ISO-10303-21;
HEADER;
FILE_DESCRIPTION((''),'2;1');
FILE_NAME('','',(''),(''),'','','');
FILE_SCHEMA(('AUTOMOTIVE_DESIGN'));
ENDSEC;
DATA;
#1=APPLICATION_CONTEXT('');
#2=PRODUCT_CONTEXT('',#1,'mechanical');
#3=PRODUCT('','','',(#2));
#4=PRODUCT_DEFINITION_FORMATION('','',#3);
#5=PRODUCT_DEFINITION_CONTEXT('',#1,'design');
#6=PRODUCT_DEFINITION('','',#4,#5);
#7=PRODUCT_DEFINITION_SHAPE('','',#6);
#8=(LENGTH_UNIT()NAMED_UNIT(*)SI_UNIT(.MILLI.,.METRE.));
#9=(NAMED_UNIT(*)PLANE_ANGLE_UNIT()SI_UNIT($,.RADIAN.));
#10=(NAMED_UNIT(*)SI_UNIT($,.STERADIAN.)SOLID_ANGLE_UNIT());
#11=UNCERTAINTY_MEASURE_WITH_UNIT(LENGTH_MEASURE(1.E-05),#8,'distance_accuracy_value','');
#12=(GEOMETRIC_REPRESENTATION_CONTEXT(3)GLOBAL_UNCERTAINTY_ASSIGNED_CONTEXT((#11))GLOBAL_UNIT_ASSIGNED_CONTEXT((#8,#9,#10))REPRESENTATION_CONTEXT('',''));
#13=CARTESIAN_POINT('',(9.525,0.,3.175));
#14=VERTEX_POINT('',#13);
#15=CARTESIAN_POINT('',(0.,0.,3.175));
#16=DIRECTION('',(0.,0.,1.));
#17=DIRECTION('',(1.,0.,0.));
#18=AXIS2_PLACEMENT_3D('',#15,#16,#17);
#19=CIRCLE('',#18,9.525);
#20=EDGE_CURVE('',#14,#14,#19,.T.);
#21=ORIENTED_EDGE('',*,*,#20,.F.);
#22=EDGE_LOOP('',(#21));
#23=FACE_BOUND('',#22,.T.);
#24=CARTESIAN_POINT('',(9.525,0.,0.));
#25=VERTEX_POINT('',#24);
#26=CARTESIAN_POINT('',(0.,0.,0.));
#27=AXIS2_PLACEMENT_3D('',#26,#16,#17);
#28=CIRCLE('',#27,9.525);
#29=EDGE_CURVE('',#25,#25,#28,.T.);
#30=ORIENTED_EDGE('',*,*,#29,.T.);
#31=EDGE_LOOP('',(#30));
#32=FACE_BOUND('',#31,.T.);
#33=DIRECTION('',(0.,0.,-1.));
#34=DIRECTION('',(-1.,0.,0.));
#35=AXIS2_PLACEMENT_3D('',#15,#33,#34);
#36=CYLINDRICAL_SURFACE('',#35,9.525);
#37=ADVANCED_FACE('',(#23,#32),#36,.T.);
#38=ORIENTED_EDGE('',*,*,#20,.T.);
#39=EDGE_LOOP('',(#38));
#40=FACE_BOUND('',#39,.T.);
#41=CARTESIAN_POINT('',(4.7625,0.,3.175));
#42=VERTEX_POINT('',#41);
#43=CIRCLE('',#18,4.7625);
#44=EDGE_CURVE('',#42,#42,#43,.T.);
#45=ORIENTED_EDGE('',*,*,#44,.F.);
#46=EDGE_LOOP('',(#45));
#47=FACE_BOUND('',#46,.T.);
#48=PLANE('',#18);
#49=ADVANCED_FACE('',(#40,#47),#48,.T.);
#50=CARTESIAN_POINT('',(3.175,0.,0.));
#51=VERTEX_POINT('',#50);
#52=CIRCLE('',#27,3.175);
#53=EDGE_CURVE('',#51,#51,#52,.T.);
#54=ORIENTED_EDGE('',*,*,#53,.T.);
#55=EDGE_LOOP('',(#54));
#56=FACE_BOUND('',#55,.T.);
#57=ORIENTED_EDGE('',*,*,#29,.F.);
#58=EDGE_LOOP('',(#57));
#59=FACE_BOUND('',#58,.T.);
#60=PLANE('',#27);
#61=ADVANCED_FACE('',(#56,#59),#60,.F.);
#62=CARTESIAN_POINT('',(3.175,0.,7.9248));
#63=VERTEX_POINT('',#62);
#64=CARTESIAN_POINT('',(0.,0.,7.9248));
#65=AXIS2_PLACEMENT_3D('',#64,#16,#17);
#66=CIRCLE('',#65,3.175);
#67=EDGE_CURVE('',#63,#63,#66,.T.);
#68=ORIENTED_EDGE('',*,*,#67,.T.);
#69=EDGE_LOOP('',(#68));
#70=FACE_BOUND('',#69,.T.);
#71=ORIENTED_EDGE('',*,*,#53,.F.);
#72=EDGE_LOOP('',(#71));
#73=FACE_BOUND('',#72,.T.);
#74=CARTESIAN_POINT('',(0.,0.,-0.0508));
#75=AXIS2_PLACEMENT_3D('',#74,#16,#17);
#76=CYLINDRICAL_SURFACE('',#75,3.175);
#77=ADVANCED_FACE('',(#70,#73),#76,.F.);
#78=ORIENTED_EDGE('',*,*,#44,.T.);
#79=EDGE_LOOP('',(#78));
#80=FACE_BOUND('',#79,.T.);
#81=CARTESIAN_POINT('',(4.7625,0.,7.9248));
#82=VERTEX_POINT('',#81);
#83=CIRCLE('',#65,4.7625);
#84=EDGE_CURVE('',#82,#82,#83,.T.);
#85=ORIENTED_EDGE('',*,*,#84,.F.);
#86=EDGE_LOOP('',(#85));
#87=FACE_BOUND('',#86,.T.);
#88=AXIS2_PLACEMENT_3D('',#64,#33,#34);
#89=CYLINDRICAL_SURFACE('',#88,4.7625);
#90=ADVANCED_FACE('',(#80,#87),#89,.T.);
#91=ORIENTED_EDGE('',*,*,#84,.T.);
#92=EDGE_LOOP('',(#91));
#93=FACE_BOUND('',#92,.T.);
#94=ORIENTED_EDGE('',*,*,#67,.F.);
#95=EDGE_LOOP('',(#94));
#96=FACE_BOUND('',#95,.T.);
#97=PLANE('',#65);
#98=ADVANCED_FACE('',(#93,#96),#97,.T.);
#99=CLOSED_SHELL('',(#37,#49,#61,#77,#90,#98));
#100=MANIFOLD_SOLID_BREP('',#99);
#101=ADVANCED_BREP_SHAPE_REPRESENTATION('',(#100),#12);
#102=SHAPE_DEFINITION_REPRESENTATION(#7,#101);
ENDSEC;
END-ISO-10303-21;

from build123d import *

# Parameters (mm, degrees)
SKETCH1_R           = 9.525
BOSS_EXTRUDE1_DEPTH = 3.175
SKETCH2_R           = 4.7625
BOSS_EXTRUDE2_DEPTH = 4.7498
SKETCH3_R           = 3.175
CUT_EXTRUDE1_DEPTH  = 7.9756


with BuildPart() as part:
    # Sketch1 → Boss-Extrude1 (new body)
    with BuildSketch(Plane.XY):
        Circle(SKETCH1_R)
    extrude(amount=BOSS_EXTRUDE1_DEPTH)

    # Sketch2 → Boss-Extrude2 (add)
    with BuildSketch(Plane.XY.offset(3.175)):
        Circle(SKETCH2_R)
    extrude(amount=BOSS_EXTRUDE2_DEPTH)

    # Sketch3 → Cut-Extrude1 (cut)
    with BuildSketch(Plane.XY.offset(7.9248)):
        Circle(SKETCH3_R)
    extrude(amount=-CUT_EXTRUDE1_DEPTH, mode=Mode.SUBTRACT)


solid = part.part
